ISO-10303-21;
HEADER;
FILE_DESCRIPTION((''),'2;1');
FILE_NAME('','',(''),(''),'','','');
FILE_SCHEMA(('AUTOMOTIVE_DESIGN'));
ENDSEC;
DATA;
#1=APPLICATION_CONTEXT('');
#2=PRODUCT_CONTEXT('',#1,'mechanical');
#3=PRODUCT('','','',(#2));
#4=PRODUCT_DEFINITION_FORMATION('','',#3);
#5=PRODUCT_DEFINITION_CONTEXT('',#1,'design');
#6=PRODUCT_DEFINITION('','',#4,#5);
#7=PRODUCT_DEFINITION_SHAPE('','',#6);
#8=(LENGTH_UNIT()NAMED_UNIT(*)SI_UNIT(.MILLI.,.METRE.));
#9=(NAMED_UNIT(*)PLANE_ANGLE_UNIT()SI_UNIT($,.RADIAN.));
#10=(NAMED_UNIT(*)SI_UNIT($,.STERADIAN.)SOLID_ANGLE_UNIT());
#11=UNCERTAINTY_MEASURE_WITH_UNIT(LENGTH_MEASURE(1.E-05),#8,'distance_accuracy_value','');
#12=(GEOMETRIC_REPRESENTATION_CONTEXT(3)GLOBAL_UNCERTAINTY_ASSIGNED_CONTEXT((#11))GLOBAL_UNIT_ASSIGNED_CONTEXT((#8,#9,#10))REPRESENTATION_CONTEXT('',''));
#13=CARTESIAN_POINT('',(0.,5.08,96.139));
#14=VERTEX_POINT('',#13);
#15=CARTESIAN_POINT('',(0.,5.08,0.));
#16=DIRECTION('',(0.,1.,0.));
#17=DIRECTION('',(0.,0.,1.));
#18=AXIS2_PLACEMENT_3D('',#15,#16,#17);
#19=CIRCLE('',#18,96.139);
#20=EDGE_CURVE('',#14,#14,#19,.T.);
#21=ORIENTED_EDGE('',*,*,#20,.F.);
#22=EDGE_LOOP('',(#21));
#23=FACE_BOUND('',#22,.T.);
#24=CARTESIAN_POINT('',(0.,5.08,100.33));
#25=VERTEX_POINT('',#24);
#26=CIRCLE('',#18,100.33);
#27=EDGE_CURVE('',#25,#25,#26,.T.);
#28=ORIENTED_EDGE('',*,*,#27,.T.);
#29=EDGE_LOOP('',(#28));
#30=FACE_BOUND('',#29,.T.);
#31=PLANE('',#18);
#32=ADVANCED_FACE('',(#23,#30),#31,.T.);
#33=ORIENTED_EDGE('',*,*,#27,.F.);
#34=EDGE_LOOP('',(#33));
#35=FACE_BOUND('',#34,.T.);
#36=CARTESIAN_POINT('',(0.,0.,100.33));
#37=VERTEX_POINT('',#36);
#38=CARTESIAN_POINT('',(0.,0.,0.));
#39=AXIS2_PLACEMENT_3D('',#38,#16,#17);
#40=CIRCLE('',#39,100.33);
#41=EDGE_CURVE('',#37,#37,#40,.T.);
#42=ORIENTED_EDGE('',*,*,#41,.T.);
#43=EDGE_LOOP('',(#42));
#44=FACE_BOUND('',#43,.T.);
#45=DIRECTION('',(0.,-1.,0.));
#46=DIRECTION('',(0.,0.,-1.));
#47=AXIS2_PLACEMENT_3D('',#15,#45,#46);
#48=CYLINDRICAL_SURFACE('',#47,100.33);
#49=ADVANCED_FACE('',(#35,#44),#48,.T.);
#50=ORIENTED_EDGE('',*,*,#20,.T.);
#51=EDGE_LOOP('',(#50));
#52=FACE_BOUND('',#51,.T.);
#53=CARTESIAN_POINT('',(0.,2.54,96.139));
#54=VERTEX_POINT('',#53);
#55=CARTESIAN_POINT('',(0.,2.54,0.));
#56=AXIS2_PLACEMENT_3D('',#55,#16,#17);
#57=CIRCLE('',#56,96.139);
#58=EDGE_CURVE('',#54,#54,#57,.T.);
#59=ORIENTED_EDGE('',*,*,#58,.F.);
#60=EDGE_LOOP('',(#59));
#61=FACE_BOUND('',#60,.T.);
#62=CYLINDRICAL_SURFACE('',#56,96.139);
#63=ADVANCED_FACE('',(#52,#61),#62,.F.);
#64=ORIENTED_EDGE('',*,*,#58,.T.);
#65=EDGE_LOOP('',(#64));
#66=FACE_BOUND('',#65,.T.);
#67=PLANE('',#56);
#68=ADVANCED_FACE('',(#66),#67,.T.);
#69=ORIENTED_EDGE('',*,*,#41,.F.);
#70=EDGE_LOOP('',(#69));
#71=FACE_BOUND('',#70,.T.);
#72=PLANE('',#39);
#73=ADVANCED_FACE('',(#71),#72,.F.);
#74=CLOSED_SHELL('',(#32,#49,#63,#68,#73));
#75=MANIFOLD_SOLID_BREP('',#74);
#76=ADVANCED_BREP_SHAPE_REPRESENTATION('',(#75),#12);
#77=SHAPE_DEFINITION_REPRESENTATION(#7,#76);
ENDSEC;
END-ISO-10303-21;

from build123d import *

# Parameters (mm, degrees)
SKETCH1_R           = 100.33
BOSS_EXTRUDE1_DEPTH = 5.08
SKETCH2_R           = 96.139
CUT_EXTRUDE1_DEPTH  = 2.54


with BuildPart() as part:
    # Sketch1 → Boss-Extrude1 (new body)
    with BuildSketch(Plane(origin=(0, 0, 0), x_dir=(1, 0, 0), z_dir=(0, 1, 0))):
        with Locations(Location((0, 0, 0), (0, 0, 270))):
            Circle(SKETCH1_R)
    extrude(amount=BOSS_EXTRUDE1_DEPTH)

    # Sketch2 → Cut-Extrude1 (cut)
    with BuildSketch(Plane(origin=(0, 5.08, 0), x_dir=(1, 0, 0), z_dir=(0, 1, 0))):
        with Locations(Location((0, 0, 0), (0, 0, 270))):
            Circle(SKETCH2_R)
    extrude(amount=-CUT_EXTRUDE1_DEPTH, mode=Mode.SUBTRACT)


solid = part.part
